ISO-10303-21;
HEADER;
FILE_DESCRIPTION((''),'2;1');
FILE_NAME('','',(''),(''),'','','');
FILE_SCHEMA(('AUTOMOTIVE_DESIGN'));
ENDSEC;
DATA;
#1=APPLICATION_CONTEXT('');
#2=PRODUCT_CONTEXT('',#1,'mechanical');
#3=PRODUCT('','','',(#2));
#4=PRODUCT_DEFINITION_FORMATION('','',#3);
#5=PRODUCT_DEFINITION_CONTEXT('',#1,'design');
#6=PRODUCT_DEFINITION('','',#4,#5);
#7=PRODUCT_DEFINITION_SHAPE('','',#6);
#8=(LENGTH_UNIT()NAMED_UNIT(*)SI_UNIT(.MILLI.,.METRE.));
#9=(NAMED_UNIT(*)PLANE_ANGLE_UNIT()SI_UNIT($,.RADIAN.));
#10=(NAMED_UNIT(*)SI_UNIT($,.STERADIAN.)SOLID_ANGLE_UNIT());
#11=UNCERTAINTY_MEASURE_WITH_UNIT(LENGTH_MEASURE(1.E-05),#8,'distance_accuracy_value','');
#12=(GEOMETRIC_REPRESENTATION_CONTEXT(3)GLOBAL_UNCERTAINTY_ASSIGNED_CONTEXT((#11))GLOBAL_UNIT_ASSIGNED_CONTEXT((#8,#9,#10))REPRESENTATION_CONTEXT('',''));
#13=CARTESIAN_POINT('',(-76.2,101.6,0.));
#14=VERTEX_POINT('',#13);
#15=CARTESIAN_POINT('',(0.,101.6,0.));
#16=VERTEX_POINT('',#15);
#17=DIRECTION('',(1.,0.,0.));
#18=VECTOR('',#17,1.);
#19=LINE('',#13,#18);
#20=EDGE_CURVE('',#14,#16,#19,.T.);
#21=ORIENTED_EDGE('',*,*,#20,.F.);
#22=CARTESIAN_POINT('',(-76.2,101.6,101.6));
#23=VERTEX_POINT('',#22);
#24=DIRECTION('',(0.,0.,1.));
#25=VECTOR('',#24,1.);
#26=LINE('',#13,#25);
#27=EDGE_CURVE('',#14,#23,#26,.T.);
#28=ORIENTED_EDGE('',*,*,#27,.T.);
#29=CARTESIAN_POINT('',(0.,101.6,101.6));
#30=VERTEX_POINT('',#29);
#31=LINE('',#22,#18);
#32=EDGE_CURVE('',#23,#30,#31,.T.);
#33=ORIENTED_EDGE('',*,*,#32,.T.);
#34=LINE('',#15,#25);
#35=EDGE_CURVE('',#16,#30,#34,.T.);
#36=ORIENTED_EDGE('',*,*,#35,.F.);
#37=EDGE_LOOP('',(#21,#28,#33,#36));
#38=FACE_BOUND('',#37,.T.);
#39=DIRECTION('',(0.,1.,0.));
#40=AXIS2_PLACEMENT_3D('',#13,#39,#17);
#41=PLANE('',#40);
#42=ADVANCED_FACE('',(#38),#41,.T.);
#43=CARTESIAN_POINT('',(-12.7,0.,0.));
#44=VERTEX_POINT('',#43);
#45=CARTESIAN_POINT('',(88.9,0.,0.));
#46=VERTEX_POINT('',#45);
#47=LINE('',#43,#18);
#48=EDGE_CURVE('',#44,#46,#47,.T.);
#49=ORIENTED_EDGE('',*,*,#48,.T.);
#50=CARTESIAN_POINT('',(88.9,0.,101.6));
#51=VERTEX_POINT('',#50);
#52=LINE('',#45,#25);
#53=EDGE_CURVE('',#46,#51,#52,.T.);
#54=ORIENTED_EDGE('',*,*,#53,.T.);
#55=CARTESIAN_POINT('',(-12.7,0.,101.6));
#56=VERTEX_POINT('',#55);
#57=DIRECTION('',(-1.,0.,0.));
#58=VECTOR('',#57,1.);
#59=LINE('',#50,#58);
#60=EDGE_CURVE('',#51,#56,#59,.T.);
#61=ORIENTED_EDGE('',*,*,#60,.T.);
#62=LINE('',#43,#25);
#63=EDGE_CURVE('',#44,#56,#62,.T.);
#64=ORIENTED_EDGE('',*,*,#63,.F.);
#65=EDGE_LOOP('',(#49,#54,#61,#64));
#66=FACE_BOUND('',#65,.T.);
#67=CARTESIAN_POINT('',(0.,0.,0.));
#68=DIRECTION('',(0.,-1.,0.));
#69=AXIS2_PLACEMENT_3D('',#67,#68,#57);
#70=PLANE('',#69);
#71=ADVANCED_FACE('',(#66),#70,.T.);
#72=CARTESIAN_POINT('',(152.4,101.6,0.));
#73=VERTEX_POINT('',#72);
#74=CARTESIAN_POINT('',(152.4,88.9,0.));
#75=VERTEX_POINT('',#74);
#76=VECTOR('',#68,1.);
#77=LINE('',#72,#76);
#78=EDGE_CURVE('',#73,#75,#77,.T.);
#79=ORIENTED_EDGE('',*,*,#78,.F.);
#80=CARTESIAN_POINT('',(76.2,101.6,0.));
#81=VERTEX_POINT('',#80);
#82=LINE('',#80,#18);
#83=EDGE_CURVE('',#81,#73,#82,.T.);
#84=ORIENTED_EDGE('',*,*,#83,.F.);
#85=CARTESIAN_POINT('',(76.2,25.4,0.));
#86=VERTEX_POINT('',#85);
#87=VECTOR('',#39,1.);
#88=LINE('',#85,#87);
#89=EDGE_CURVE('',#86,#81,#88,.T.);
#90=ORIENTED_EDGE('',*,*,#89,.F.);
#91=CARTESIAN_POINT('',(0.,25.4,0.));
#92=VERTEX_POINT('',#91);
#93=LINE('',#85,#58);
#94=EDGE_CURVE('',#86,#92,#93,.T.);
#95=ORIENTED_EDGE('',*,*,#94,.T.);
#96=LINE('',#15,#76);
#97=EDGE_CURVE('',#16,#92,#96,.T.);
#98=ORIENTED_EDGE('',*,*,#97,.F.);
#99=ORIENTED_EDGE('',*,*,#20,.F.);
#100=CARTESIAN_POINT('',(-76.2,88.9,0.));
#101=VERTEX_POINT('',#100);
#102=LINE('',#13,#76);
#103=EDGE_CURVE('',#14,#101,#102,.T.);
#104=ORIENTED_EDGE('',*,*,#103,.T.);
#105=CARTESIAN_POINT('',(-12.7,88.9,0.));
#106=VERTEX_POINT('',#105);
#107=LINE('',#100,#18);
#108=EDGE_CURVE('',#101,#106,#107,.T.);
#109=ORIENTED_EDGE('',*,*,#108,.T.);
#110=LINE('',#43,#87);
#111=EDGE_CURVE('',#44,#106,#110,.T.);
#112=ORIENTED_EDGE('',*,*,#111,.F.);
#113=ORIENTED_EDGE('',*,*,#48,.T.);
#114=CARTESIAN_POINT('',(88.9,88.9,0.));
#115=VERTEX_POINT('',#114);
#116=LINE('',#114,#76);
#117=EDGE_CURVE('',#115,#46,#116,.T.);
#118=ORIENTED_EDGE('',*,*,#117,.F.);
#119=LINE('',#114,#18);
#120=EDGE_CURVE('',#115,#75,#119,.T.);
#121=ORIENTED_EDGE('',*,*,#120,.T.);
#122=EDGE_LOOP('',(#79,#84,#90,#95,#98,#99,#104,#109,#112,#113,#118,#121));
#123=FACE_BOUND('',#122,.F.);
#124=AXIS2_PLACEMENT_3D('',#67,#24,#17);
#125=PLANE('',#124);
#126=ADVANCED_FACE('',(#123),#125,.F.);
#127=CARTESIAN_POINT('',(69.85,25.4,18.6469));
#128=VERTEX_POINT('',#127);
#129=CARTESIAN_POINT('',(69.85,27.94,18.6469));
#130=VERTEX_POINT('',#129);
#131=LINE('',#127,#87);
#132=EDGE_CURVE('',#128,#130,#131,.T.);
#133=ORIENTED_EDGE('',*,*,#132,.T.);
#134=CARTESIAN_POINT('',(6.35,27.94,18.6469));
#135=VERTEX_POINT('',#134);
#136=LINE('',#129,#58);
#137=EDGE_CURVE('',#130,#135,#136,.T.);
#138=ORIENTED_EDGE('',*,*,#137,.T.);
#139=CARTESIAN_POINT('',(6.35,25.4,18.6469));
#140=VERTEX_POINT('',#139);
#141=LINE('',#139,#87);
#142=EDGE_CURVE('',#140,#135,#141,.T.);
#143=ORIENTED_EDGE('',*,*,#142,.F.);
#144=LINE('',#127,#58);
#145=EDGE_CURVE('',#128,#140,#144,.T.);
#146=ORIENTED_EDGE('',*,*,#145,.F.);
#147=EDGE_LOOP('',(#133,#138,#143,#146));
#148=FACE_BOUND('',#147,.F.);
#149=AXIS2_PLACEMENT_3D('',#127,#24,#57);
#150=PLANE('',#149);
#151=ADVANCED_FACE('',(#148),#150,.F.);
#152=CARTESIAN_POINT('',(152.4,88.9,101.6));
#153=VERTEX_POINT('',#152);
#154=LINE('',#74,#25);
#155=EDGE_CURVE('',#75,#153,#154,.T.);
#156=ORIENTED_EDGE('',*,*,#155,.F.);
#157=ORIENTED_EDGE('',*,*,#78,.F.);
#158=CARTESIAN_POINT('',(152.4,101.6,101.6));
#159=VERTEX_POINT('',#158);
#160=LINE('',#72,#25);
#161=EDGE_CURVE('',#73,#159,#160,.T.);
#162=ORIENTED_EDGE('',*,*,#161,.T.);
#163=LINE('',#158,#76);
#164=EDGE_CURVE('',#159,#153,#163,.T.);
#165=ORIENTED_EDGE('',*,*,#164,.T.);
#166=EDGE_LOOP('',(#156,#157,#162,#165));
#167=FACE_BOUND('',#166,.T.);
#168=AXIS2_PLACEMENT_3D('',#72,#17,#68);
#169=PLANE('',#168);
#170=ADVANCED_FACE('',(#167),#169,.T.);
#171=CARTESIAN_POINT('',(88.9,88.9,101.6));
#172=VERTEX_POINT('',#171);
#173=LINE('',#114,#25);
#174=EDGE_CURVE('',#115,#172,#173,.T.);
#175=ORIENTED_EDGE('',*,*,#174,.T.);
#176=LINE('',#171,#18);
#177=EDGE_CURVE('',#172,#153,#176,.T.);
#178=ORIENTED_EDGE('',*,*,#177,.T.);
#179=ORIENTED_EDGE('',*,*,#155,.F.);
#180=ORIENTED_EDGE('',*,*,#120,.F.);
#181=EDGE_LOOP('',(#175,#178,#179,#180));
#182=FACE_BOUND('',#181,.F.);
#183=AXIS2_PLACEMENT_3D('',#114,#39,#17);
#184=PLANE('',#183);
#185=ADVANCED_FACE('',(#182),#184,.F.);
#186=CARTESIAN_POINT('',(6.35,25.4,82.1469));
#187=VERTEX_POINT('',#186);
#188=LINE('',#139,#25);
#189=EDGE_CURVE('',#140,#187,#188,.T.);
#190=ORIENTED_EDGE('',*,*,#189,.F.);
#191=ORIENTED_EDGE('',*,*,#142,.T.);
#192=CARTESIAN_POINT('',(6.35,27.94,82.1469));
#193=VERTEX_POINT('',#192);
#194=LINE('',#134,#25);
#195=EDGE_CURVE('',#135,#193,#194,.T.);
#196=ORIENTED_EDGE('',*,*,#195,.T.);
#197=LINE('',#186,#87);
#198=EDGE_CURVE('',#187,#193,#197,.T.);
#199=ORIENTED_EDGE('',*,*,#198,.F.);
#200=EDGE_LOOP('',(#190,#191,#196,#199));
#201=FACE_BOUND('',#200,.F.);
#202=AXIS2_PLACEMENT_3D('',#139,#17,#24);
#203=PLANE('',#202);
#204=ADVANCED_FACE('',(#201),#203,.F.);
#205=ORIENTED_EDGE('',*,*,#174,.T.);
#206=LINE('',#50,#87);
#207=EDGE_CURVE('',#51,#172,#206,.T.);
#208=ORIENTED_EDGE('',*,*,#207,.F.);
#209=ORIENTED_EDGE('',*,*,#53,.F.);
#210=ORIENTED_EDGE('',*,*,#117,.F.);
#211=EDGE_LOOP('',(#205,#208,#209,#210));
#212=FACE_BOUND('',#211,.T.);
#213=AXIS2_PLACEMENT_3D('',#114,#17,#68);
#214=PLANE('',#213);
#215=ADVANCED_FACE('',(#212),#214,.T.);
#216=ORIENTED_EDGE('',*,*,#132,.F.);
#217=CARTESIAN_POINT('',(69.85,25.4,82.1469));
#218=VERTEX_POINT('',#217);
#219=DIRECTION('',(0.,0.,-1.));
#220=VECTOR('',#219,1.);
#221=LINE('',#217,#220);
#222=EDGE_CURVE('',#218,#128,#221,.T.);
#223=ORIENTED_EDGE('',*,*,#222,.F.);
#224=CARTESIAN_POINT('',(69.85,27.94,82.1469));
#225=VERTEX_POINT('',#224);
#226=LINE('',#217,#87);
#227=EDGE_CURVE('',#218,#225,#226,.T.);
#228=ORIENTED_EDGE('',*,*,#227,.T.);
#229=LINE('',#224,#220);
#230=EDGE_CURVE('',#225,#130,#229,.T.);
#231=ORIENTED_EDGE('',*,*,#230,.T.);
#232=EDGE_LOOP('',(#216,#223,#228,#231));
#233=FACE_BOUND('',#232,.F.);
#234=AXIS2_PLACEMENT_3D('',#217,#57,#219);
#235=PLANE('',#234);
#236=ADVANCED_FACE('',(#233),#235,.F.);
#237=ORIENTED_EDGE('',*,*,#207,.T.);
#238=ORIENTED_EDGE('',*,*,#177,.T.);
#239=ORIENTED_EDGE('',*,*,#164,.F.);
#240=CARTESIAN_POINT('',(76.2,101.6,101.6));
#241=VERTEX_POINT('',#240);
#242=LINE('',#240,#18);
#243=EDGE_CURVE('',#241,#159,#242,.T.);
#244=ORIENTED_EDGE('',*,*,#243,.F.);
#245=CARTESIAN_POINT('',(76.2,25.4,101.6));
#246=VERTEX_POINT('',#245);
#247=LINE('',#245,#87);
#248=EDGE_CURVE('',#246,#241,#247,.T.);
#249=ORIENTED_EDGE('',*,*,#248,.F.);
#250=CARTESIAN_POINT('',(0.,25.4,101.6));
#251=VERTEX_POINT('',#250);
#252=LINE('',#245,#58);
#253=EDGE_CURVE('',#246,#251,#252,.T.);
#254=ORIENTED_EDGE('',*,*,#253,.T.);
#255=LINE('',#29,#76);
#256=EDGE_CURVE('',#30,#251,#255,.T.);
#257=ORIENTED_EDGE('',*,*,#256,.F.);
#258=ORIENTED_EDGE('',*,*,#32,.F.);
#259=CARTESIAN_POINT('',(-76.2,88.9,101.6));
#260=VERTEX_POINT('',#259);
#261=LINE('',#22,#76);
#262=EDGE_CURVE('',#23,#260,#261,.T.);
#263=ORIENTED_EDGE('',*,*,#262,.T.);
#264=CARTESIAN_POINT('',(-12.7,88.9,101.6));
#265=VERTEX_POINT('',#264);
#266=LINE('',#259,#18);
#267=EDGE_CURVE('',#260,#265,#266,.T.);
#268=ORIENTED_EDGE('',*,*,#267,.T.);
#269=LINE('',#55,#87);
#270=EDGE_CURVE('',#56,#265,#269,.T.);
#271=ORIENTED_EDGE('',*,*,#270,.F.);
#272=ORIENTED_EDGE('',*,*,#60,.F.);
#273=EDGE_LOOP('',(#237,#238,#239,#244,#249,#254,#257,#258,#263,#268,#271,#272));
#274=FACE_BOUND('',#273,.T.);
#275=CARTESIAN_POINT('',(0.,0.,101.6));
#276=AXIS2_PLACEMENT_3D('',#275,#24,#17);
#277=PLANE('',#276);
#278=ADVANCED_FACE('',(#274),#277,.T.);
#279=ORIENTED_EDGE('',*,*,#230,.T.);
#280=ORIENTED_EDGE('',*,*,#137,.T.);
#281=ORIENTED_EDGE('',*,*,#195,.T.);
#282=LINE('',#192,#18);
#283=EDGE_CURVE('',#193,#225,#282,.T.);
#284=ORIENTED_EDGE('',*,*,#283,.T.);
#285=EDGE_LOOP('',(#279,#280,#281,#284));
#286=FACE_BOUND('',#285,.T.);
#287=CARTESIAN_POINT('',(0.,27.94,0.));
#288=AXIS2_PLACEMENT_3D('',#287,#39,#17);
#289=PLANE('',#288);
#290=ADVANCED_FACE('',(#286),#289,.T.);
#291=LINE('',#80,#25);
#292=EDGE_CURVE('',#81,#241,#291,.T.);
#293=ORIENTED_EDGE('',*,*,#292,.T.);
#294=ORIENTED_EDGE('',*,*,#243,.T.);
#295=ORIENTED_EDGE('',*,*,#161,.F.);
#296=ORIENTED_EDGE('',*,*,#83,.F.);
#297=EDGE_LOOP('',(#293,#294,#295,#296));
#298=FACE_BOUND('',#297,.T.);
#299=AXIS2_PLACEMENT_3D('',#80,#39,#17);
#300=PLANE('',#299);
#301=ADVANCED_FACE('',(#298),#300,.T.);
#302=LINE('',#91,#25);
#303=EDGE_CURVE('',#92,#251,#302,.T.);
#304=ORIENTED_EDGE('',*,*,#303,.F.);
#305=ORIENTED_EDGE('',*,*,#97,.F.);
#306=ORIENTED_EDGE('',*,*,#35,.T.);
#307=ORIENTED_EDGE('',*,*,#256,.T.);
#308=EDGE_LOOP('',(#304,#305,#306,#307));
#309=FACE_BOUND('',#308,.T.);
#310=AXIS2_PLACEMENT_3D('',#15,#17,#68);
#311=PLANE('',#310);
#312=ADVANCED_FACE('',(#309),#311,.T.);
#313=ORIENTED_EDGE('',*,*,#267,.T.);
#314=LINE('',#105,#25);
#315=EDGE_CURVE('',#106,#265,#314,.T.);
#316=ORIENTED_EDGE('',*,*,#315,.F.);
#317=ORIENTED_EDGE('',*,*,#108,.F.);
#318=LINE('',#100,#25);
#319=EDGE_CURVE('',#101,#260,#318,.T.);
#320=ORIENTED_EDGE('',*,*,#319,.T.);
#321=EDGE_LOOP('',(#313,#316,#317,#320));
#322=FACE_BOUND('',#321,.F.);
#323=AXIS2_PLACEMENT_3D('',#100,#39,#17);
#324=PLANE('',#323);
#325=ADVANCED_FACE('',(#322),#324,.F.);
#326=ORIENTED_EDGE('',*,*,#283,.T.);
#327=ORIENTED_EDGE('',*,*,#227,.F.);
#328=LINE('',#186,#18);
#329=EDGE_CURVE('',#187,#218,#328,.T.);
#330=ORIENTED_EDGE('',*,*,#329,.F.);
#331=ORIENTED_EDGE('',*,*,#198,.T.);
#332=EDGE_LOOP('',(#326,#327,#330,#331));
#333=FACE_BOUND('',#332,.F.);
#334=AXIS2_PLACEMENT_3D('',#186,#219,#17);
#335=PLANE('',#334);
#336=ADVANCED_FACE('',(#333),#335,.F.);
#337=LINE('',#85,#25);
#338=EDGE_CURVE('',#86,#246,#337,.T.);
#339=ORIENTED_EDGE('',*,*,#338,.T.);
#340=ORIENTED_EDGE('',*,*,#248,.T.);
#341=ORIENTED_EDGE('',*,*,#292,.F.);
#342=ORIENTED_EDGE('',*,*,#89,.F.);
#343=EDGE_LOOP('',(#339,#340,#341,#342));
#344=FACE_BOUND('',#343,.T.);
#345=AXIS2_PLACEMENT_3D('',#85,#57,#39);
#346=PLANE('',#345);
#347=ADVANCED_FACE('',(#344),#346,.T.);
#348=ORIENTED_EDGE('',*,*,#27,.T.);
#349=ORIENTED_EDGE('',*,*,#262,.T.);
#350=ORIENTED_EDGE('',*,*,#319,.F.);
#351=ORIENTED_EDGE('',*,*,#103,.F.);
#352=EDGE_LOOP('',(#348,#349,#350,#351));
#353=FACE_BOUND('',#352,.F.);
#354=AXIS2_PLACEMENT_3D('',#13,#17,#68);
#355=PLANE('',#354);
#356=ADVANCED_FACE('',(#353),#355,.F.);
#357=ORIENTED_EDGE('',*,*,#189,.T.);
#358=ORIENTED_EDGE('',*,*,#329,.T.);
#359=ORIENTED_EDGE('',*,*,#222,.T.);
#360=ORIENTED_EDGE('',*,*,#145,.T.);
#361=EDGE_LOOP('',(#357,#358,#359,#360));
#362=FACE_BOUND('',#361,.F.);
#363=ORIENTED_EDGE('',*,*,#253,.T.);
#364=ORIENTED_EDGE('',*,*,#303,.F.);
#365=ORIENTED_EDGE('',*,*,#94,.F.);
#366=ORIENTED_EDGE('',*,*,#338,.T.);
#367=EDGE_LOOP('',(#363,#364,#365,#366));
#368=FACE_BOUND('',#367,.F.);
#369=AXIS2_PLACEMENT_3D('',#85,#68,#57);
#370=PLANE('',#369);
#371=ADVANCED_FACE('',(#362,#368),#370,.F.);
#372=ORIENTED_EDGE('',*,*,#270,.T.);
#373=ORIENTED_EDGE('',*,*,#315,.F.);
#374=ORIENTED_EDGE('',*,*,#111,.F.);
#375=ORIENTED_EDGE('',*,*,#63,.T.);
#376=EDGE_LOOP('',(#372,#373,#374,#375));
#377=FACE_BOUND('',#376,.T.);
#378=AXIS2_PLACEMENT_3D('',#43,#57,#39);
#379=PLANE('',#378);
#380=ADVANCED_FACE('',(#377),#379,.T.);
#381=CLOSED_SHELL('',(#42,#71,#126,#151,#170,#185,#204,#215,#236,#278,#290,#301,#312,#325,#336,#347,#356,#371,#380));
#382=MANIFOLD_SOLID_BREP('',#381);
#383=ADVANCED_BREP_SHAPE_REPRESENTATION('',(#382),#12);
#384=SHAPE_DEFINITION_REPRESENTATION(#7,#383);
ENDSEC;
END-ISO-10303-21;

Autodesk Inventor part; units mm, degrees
ref_plane "YZ Plane" through (0, 0, 0) normal (1, 0, 0) x (0, 1, 0)
ref_plane "XZ Plane" through (0, 0, 0) normal (0, 1, 0) x (-1, 0, 0)
ref_plane "XY Plane" through (0, 0, 0) normal (0, 0, 1) x (1, 0, 0)
sketch "Sketch1" plane through (0, 0, 0) normal (0, 0, 1) x (1, 0, 0)
  line L0 (0, 0) -> (76.2, 0)
  line L1 (76.2, 25.4) -> (0, 25.4)
  line L2 (76.2, 25.4) -> (76.2, 101.6)
  line L3 (76.2, 101.6) -> (152.4, 101.6)
  line L4 (152.4, 101.6) -> (152.4, 88.9)
  line L5 (88.9, 88.9) -> (88.9, 25.4)
  line L6 (88.9, 88.9) -> (152.4, 88.9)
  line L7 (88.9, 25.4) -> (88.9, 0)
  line L8 (88.9, 0) -> (76.2, 0)
  line L9 (0, 0) -> (-12.7, 0)
  line L10 (-12.7, 0) -> (-12.7, 88.9)
  line L11 (0, 101.6) -> (0, 25.4)
  line L12 (-76.2, 101.6) -> (-76.2, 88.9)
  line L13 (-76.2, 88.9) -> (-12.7, 88.9)
  line L14 (-76.2, 101.6) -> (0, 101.6)
  dimension "d4" = 76.2
  dimension "d5" = 76.2
  dimension "d6" = 12.7
  dimension "d11" = 76.2
  dimension "d12" = 12.7
  dimension "d13" = 101.6
extrude "Extrusion1" add sketch "Sketch1" along normal blind 101.6
sketch "Sketch2" plane through (0, 25.4, 0) normal (0, 1, 0) x (1, 0, 0)
  line L0 (76.2, 0) -> (0, 0) projected
  line L1 (0, 0) -> (0, -101.6) projected
  line L2 (76.2, -101.6) -> (0, -101.6) projected
  line L3 (76.2, 0) -> (76.2, -101.6) projected
  line L4 (69.85, -18.6469) -> (6.35, -18.6469)
  line L5 (6.35, -18.6469) -> (6.35, -82.1469)
  line L6 (6.35, -82.1469) -> (69.85, -82.1469)
  line L7 (69.85, -82.1469) -> (69.85, -18.6469)
  line L8 (69.85, -18.6469) -> (6.35, -82.1469) construction
  line L9 (6.35, -18.6469) -> (69.85, -82.1469) construction
  point P0 (38.1, -50.3969)
  dimension "d16" = 63.5
  dimension "d17" = 63.5
extrude "Extrusion2" add sketch "Sketch2" along normal blind 2.54 contours L7 L6 L5 L4
sketch "Sketch3" plane through (0, 0, 101.6) normal (0, 0, 1) x (1, 0, 0)
  line L0 (-12.7, 0) -> (88.9, 0) projected
  line L1 (88.9, 0) -> (88.9, 88.9) projected
  line L2 (88.9, 88.9) -> (152.4, 88.9) projected
  line L3 (152.4, 88.9) -> (152.4, 101.6) projected
  line L4 (152.4, 101.6) -> (76.2, 101.6) projected
  line L5 (76.2, 101.6) -> (76.2, 25.4) projected
  line L6 (76.2, 25.4) -> (0, 25.4) projected
  line L7 (0, 25.4) -> (0, 101.6) projected
  line L8 (0, 101.6) -> (-76.2, 101.6) projected
  line L9 (-76.2, 101.6) -> (-76.2, 88.9) projected
  line L10 (-76.2, 88.9) -> (-12.7, 88.9) projected
  line L11 (-12.7, 88.9) -> (-12.7, 0) projected
  point P0 (0, 0)
properties part number "Chassis"
